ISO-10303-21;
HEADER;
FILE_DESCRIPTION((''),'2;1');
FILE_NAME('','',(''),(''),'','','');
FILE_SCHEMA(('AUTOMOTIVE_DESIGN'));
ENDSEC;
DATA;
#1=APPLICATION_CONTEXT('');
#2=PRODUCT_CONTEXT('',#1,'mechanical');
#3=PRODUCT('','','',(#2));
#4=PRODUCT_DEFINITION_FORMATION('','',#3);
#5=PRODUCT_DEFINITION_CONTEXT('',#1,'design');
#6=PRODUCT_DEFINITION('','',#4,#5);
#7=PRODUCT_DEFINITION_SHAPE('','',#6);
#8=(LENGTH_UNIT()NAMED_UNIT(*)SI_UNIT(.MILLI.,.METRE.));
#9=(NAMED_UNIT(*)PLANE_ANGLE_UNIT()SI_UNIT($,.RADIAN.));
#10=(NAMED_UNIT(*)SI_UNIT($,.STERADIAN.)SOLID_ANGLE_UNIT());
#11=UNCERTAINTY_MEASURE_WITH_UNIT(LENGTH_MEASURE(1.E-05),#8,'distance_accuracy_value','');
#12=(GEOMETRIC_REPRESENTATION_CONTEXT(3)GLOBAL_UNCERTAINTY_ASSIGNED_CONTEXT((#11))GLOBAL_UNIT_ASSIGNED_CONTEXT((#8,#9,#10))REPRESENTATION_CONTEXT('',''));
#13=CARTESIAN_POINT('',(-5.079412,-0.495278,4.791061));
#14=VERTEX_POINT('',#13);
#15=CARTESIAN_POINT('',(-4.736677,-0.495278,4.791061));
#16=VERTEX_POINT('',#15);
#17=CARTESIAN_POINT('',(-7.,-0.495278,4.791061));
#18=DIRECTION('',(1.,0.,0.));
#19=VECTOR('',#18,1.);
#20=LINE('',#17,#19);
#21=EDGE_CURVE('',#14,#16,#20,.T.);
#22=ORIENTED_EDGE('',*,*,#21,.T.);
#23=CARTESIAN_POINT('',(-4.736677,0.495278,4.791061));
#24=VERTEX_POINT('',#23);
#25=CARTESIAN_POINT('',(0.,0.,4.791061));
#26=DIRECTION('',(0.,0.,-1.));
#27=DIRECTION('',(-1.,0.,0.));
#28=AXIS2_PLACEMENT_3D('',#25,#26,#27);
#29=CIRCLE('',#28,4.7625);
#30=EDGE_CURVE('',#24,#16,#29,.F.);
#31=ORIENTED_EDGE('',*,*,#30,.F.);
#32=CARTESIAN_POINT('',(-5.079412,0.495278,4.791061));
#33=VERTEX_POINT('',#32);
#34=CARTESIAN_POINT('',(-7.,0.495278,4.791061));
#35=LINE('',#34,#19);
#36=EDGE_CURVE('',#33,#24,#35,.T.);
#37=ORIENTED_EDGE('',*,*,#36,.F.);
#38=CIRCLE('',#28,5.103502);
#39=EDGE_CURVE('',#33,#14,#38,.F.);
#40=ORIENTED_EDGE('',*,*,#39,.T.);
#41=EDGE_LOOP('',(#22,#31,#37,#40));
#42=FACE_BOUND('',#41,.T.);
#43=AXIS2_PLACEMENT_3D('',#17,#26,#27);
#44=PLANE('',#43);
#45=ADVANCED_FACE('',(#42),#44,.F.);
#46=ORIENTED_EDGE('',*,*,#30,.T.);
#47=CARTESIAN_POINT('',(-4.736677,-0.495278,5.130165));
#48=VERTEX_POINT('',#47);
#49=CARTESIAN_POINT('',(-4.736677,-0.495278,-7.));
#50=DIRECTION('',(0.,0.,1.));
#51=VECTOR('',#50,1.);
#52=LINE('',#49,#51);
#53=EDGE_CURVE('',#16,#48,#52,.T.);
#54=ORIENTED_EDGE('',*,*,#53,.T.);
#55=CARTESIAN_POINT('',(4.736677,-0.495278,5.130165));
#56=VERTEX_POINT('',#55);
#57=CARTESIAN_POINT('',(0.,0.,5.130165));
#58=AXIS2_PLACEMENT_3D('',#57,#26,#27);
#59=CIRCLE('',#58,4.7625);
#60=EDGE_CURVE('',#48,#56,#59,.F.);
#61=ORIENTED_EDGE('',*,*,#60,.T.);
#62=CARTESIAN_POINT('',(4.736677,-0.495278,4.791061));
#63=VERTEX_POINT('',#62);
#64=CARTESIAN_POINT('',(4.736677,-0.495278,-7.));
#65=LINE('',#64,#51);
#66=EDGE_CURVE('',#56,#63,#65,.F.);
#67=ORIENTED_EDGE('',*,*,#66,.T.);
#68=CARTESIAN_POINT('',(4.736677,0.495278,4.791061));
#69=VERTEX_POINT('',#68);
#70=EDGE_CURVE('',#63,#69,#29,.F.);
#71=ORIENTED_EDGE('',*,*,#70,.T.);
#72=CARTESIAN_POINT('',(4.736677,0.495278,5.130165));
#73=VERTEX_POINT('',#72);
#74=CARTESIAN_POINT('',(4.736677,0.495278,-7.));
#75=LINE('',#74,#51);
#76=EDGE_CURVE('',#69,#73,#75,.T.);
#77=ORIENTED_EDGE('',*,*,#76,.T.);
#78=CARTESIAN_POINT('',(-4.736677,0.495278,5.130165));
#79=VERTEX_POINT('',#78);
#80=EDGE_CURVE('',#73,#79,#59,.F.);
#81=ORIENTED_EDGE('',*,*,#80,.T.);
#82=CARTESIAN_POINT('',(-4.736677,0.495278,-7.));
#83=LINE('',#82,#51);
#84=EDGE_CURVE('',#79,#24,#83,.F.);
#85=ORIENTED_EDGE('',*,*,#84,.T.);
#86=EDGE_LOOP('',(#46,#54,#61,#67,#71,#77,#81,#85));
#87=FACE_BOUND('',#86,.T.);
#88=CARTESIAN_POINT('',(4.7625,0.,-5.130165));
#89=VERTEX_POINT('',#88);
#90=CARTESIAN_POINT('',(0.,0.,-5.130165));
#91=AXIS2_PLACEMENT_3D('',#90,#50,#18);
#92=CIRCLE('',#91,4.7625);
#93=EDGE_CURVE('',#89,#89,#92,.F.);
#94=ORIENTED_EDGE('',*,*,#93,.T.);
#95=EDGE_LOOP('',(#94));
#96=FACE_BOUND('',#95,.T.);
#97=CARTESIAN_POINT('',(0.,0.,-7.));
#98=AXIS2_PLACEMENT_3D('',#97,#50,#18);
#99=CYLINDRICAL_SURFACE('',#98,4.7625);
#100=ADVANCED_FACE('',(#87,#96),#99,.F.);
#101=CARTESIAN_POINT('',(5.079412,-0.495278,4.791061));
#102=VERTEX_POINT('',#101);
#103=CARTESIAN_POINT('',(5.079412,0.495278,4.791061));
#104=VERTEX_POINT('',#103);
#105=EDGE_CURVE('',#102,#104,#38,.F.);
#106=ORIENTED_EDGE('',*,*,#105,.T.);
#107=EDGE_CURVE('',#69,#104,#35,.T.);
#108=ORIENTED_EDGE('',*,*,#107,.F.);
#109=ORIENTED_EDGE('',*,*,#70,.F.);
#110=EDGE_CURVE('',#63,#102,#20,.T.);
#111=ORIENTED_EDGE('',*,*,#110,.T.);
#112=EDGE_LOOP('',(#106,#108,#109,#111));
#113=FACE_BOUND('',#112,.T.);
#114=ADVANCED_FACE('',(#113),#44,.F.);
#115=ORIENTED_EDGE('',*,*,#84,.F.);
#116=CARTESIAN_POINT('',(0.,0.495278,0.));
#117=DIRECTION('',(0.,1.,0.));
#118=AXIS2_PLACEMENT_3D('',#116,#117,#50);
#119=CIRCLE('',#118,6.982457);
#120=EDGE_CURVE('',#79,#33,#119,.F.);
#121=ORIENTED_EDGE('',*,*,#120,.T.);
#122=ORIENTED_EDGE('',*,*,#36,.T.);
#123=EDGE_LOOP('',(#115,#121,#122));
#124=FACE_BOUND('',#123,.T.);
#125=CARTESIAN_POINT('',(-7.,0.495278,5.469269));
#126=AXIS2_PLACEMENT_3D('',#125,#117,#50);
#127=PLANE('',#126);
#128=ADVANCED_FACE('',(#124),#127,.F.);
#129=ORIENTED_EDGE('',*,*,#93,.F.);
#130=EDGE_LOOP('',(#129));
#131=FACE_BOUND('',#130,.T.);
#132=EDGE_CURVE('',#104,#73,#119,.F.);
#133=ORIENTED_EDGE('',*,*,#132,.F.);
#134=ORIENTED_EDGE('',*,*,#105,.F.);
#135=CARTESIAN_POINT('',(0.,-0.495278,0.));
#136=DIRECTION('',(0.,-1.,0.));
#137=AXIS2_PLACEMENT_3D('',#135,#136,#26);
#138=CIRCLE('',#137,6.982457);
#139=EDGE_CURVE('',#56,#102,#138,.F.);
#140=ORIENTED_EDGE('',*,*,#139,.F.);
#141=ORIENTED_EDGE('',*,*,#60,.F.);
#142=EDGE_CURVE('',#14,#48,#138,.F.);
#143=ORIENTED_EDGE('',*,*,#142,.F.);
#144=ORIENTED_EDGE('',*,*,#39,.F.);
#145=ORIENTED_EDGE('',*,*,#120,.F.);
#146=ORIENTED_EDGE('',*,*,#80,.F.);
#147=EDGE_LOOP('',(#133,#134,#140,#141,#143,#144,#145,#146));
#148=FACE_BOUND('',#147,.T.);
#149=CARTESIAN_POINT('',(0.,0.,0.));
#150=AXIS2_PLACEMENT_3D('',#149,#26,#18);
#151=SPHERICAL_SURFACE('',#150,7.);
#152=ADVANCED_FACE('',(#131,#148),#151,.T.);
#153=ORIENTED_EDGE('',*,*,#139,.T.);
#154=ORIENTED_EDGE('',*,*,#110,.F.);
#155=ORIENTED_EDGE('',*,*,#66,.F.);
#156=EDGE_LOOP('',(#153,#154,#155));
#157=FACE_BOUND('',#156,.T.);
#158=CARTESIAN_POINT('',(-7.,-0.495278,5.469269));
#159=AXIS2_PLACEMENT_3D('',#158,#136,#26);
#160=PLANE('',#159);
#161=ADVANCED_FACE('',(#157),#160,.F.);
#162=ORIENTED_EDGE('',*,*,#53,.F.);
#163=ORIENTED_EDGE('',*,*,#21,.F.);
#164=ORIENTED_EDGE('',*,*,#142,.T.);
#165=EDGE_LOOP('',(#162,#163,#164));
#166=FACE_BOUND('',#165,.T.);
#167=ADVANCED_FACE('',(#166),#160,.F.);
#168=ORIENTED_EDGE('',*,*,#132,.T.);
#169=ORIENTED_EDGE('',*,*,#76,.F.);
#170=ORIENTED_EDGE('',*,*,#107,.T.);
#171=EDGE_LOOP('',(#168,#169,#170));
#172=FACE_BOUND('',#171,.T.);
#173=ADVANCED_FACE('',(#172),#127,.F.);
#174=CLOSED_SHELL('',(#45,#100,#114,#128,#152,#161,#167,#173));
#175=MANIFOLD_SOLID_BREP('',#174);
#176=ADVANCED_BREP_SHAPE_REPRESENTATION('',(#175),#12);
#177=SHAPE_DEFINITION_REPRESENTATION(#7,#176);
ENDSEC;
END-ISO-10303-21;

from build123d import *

# Parameters (mm, degrees)
CUT_EXTRUDE1_DEPTH      = 13.124355653
CUT_EXTRUDE1_DEPTH_BACK = 13.124355653
SKETCH2_R               = 4.7625
CUT_EXTRUDE2_DEPTH      = 12.14982483
CUT_EXTRUDE2_DEPTH_BACK = 12.14982483
SKETCH3_W               = 0.678207446
SKETCH3_H               = 0.99055699


with BuildPart() as part:
    # Sketch1 → Revolve1 (revolve)
    with BuildSketch(Plane(origin=(0, 0, 0), x_dir=(1, 0, 0), z_dir=(0, 1, 0))):
        with BuildLine():
            Line((0, 7), (0, -7))
            ThreePointArc((0, -7), (-7, 0), (0, 7))
        make_face()
    revolve(axis=Axis((0, 0, -7), (0, 0, 1)))

    # Sketch2 → Cut-Extrude1 (cut, two sides: drawn at the far end of the back side and taken through both)
    with BuildSketch(Plane.XY.offset(-CUT_EXTRUDE1_DEPTH_BACK)):
        Circle(SKETCH2_R)
    extrude(amount=CUT_EXTRUDE1_DEPTH + CUT_EXTRUDE1_DEPTH_BACK, mode=Mode.SUBTRACT)

    # Sketch3 → Cut-Extrude2 (cut, two sides: drawn at the far end of the back side and taken through both)
    with BuildSketch(Plane(origin=(0, 0, 0), x_dir=(0, 0, -1), z_dir=(1, 0, 0)).offset(-CUT_EXTRUDE2_DEPTH_BACK)):
        with Locations((-5.13016508, 0)):
            Rectangle(SKETCH3_W, SKETCH3_H)
    extrude(amount=CUT_EXTRUDE2_DEPTH + CUT_EXTRUDE2_DEPTH_BACK, mode=Mode.SUBTRACT)


solid = part.part
